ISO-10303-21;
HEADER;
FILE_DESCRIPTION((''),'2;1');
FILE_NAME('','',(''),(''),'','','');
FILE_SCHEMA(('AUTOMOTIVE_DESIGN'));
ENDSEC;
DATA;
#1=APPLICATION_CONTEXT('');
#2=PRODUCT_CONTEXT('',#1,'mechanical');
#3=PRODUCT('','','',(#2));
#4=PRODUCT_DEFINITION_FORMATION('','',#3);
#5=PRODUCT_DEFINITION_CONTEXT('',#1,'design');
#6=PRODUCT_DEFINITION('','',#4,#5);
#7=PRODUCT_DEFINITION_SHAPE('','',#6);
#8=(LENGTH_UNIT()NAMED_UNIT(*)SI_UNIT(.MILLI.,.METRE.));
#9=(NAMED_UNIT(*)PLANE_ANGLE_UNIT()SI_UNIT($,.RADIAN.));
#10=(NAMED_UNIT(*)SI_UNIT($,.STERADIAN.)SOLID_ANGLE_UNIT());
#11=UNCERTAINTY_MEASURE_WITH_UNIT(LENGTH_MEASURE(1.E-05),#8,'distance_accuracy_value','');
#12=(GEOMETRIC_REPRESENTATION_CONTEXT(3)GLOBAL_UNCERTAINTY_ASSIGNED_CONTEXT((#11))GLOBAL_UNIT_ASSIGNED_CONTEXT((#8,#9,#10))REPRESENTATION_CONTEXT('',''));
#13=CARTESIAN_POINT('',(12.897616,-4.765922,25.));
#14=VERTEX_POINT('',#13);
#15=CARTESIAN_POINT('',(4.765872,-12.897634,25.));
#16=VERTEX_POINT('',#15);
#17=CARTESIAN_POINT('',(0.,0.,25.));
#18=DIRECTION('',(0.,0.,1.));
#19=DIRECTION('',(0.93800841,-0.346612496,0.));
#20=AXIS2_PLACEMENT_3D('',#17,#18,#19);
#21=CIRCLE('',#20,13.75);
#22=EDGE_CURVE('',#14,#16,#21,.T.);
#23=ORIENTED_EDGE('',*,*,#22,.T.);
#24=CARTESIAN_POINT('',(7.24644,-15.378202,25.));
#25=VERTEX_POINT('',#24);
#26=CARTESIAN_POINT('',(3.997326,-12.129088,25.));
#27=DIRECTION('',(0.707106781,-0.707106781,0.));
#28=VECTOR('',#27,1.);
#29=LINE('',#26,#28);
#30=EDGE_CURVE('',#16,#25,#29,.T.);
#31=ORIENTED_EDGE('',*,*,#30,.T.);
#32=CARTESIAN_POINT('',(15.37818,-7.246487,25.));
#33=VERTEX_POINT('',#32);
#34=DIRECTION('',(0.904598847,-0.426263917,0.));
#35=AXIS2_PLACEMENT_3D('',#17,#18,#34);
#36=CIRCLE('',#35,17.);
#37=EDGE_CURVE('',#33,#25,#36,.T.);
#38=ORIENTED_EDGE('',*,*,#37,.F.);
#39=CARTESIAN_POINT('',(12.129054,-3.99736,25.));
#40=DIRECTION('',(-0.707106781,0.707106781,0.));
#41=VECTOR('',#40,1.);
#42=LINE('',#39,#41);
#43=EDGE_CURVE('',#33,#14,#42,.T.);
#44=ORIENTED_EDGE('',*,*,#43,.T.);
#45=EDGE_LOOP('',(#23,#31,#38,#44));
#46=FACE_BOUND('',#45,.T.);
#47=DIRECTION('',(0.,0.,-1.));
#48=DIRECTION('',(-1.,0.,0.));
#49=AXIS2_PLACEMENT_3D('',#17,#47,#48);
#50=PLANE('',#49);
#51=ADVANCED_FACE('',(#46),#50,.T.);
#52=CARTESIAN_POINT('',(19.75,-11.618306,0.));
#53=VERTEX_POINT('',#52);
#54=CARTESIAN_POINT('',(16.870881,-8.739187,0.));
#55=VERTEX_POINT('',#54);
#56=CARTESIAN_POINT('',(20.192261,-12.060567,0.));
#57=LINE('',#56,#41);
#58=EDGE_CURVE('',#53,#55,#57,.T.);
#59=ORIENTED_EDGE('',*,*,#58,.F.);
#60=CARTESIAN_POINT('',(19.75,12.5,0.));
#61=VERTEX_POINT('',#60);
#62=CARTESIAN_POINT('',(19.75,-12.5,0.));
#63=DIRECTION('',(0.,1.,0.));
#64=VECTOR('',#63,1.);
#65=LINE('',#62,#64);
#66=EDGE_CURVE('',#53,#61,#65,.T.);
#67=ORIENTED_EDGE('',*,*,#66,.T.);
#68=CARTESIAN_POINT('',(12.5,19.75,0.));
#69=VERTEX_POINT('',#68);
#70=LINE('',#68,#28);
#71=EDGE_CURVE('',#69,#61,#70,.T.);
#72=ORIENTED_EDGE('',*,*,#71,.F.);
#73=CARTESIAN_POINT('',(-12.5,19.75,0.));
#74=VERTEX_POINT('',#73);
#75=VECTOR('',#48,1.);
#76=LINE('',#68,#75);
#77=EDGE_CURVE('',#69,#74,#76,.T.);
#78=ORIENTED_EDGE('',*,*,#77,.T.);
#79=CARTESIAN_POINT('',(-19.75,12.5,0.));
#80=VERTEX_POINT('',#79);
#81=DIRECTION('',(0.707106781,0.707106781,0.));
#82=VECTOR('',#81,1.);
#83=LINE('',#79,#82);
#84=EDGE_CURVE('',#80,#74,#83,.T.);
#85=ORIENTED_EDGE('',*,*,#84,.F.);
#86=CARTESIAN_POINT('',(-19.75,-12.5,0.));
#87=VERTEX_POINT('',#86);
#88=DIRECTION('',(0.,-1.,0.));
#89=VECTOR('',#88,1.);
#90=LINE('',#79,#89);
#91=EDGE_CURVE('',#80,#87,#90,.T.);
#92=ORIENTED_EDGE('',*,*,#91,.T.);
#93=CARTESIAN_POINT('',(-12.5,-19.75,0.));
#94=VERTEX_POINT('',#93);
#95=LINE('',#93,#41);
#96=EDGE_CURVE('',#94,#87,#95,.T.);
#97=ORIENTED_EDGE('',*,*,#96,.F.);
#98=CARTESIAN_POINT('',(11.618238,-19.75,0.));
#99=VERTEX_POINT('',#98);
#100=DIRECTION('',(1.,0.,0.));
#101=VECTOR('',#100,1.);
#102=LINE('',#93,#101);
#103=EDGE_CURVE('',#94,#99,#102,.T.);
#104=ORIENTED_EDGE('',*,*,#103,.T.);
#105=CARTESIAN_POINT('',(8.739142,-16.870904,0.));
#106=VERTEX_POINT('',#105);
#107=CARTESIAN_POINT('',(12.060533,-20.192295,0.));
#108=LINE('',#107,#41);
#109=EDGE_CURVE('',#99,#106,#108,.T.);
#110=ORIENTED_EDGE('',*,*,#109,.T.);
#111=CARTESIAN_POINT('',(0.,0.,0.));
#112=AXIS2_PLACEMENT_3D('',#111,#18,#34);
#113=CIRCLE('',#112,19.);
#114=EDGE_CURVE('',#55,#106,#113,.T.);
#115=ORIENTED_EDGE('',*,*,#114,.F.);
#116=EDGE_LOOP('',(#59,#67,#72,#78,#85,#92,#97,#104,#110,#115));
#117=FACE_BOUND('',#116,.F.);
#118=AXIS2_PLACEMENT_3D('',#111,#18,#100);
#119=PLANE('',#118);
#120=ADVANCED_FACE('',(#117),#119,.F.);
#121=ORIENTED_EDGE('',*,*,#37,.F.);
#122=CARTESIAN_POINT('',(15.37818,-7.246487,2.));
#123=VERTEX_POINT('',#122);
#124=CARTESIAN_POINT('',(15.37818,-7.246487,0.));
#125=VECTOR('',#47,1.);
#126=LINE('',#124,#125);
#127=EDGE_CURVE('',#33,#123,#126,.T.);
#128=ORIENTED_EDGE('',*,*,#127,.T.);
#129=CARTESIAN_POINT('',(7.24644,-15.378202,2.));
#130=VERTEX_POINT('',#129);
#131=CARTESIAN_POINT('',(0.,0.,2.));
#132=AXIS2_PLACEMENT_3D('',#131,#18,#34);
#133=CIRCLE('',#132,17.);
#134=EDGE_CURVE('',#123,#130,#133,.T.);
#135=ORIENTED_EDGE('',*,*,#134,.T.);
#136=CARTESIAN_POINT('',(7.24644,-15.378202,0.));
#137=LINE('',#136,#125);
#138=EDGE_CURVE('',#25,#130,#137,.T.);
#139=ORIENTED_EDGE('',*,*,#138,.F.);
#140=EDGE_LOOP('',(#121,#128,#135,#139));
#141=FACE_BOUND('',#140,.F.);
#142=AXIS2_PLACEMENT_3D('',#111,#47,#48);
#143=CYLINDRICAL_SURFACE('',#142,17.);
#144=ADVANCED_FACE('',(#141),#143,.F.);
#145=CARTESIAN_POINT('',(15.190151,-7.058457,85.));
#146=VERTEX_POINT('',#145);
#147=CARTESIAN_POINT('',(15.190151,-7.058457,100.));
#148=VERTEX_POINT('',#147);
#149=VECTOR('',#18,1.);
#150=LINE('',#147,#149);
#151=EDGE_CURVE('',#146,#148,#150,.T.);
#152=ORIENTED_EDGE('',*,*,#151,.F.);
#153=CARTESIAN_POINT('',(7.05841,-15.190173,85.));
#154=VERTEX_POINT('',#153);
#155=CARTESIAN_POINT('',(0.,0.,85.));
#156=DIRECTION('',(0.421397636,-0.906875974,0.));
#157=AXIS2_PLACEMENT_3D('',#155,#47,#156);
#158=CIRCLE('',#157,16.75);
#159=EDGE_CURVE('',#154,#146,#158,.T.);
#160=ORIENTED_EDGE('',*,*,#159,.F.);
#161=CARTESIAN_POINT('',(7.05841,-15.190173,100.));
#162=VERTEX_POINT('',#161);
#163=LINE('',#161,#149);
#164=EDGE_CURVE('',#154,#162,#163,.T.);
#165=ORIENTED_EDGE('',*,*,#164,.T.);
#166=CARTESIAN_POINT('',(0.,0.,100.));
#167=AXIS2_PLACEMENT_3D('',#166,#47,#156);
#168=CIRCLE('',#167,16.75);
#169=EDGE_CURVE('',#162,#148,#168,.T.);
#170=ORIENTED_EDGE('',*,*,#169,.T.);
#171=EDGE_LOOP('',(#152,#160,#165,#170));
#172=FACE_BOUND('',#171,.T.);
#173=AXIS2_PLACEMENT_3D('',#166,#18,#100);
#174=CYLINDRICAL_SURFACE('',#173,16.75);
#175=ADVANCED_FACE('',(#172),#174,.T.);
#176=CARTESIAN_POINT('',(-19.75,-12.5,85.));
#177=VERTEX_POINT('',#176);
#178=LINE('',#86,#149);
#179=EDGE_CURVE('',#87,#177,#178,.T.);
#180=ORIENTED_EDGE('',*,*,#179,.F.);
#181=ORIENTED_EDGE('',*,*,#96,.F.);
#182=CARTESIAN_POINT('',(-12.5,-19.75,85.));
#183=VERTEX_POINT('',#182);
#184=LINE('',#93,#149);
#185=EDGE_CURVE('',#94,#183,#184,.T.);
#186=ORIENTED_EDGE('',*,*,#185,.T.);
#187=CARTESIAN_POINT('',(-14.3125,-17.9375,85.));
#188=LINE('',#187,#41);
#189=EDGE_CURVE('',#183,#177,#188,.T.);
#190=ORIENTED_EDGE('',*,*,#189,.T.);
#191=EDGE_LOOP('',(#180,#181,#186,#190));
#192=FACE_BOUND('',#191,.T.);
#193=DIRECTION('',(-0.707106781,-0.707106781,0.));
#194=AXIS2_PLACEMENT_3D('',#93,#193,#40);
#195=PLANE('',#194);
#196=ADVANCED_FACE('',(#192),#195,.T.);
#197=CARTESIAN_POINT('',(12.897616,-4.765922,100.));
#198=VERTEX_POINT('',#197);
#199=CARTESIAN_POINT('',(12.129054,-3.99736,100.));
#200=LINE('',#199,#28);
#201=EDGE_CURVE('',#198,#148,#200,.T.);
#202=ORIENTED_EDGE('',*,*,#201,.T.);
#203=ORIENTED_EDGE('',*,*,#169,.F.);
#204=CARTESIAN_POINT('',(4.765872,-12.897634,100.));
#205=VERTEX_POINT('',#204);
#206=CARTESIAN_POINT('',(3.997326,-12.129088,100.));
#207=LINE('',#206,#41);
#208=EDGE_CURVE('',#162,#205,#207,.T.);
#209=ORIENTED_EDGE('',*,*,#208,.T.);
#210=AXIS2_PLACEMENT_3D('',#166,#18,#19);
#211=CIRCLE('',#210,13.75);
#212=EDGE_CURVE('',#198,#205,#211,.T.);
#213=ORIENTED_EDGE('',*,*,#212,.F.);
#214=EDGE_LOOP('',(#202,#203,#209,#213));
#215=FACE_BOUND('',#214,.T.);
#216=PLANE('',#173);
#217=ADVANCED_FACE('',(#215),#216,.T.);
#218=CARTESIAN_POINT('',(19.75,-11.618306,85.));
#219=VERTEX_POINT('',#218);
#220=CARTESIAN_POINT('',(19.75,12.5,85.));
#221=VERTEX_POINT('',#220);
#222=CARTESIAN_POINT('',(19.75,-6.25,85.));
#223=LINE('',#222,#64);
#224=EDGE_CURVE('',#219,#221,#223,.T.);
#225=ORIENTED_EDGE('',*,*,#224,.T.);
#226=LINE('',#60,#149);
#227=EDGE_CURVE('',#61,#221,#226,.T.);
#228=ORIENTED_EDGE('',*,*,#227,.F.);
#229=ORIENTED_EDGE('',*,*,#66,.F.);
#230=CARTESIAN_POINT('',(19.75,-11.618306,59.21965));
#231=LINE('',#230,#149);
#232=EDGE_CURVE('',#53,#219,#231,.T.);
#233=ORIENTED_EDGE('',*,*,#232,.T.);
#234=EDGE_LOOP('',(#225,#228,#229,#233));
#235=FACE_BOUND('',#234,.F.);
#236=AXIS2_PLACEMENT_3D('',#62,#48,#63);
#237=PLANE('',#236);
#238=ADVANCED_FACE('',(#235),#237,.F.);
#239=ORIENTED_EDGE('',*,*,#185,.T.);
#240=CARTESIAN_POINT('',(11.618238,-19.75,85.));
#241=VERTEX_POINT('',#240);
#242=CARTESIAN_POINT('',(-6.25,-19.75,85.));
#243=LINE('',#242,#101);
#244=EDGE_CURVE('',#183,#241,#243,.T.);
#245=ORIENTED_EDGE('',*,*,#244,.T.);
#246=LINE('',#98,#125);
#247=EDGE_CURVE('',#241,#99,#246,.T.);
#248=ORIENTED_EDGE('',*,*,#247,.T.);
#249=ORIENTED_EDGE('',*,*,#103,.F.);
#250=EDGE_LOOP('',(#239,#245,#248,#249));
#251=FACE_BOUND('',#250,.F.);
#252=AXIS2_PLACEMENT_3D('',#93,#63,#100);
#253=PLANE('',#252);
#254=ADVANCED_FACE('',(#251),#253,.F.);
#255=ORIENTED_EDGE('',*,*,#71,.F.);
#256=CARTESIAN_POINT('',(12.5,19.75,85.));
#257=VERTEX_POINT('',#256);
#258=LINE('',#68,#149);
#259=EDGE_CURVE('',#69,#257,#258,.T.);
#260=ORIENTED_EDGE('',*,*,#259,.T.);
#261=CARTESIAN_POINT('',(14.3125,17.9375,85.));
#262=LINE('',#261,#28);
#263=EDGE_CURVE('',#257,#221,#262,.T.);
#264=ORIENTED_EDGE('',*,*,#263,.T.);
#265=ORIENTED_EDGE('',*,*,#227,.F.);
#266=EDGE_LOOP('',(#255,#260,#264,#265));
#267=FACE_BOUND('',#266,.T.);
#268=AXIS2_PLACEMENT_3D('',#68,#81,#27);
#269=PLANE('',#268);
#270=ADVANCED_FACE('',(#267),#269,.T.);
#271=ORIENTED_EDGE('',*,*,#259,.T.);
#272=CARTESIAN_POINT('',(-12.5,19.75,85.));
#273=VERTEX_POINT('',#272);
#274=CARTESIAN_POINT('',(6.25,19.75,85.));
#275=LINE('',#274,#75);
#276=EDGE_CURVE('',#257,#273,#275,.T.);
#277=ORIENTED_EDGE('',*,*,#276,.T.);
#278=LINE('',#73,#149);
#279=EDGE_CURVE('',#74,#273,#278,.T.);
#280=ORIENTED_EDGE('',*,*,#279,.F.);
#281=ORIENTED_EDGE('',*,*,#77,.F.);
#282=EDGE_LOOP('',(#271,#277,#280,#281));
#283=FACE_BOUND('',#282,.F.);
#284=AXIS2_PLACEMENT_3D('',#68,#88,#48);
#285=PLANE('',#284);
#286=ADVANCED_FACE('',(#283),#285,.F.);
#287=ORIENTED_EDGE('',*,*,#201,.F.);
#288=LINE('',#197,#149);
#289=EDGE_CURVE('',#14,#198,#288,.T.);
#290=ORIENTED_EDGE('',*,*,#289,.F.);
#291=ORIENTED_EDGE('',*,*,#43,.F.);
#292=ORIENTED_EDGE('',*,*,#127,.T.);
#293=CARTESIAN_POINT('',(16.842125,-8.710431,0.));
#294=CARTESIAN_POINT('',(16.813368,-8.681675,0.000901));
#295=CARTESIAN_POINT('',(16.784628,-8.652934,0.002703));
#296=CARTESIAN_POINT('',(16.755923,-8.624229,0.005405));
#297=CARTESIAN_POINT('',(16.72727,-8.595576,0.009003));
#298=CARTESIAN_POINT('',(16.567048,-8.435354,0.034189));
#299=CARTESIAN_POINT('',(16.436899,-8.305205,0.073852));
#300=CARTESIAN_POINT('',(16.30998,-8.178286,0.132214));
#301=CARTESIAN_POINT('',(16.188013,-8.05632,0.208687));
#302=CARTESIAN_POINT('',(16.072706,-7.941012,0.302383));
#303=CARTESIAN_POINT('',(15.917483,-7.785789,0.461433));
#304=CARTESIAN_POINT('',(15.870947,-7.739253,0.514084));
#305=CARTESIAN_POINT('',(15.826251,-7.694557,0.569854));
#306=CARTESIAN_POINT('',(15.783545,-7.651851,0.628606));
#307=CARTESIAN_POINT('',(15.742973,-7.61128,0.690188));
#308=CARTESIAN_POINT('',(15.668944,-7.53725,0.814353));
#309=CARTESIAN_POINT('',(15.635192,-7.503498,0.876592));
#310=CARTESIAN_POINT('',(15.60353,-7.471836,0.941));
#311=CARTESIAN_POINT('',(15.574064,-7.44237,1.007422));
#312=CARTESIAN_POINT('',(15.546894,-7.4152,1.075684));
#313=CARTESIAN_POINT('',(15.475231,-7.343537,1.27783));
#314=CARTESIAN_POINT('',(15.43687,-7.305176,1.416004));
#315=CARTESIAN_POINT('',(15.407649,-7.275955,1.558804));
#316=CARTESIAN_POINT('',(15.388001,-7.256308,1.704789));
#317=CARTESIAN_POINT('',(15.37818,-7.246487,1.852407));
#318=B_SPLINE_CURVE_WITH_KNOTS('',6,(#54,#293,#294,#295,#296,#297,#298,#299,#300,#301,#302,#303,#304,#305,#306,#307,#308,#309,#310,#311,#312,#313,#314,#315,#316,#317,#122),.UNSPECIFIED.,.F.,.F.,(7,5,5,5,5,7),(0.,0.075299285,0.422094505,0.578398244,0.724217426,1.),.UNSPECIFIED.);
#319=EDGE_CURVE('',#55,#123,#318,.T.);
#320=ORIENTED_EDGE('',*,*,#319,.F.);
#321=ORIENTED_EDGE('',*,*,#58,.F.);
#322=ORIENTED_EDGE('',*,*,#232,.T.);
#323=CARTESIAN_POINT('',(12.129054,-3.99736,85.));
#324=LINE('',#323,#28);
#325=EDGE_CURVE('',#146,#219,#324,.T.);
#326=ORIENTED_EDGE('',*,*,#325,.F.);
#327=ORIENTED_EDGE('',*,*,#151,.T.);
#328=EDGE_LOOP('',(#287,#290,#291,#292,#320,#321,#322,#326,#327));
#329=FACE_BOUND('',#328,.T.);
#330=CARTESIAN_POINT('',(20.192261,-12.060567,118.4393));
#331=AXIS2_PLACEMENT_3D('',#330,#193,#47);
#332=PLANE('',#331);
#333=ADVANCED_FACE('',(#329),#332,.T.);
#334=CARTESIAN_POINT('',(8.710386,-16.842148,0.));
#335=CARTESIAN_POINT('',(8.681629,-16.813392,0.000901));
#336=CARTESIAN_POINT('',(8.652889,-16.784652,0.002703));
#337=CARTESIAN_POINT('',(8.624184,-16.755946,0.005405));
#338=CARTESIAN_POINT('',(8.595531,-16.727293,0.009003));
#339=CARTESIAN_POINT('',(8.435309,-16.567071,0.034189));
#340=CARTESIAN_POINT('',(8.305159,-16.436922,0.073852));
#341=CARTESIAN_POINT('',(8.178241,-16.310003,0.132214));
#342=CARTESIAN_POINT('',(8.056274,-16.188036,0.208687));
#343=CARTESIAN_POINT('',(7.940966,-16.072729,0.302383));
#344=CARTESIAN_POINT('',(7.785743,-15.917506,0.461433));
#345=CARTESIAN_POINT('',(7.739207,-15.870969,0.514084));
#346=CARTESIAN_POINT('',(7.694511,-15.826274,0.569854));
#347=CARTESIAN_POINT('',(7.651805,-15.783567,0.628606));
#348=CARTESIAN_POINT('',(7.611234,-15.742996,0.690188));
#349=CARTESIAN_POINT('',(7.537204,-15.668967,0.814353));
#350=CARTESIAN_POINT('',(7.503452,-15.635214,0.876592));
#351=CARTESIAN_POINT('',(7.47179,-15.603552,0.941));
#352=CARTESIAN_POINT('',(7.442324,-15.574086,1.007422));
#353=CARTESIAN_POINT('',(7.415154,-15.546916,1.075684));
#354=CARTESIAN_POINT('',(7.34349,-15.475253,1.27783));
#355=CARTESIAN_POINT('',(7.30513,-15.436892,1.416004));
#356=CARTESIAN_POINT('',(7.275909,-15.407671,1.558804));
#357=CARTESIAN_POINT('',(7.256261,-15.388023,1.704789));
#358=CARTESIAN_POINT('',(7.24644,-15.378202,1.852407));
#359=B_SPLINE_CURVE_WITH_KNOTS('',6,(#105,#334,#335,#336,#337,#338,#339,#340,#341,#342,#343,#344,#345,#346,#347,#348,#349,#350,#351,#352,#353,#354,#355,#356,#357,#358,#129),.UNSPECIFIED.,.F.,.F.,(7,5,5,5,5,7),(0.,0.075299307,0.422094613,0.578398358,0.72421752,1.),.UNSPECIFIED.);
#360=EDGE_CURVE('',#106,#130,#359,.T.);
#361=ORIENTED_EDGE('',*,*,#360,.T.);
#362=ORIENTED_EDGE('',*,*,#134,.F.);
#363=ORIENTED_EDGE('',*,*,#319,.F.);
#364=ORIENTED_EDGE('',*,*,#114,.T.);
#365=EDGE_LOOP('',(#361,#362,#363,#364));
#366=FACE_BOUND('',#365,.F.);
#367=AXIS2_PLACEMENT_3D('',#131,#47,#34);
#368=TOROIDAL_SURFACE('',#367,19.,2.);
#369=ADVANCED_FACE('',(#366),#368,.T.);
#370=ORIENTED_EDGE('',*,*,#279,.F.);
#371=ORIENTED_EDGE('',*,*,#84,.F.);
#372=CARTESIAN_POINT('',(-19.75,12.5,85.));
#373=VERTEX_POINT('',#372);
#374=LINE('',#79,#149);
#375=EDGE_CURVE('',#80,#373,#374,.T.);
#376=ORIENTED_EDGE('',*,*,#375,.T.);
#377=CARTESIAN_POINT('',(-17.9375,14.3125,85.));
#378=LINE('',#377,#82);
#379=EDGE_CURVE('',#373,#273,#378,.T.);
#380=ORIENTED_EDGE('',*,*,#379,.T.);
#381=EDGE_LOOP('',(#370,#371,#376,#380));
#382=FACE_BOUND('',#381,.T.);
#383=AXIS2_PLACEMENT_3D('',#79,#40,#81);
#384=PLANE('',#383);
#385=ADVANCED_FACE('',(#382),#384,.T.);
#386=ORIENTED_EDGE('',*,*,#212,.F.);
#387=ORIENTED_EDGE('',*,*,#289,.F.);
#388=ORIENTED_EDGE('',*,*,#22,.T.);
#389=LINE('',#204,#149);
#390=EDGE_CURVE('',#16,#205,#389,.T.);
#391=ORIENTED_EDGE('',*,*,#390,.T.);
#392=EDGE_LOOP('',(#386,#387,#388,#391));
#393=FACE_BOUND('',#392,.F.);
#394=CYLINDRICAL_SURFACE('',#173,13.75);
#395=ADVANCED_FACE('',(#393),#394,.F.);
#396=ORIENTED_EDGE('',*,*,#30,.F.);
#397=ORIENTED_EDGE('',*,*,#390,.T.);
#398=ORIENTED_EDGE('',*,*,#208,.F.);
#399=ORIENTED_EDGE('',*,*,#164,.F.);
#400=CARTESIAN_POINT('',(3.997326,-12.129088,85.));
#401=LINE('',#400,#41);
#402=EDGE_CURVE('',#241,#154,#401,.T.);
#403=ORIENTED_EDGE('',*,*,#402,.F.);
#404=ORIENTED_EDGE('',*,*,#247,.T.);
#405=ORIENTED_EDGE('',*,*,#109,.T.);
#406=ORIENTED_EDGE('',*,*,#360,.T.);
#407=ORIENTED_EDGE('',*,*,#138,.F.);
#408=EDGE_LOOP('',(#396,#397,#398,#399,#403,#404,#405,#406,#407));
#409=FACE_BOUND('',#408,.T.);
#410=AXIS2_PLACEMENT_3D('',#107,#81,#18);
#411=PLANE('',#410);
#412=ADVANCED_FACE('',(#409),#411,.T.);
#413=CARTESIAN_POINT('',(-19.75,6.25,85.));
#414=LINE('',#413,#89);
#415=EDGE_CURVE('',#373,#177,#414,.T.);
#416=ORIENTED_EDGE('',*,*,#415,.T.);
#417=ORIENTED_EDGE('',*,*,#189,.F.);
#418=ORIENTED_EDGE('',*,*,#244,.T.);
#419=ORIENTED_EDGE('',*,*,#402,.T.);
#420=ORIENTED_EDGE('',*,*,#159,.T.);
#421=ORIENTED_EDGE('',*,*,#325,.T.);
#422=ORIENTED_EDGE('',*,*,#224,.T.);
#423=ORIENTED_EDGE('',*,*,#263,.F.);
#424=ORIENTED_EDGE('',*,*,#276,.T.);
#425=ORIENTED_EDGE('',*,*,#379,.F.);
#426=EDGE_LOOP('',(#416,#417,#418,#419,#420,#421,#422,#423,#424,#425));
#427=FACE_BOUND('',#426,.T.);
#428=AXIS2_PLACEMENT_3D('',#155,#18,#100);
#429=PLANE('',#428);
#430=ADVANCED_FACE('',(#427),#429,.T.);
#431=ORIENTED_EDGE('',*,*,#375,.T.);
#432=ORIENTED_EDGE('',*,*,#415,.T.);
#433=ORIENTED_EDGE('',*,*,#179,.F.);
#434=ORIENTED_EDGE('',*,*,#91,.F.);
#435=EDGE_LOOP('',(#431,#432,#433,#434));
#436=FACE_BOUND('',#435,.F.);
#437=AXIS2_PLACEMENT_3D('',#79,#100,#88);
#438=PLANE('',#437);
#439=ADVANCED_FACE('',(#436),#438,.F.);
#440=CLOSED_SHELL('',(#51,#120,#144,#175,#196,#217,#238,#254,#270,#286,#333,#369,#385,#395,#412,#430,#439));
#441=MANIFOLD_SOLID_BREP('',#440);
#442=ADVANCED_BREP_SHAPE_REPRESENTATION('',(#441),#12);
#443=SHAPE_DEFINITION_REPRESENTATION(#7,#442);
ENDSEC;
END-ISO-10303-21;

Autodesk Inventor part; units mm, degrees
ref_plane "YZ Plane" through (0, 0, 0) normal (1, 0, 0) x (0, 1, 0)
ref_plane "XZ Plane" through (0, 0, 0) normal (0, 1, 0) x (-1, 0, 0)
ref_plane "XY Plane" through (0, 0, 0) normal (0, 0, 1) x (1, 0, 0)
sketch "Sketch1" plane through (0, 0, 0) normal (0, 0, 1) x (1, 0, 0)
  line L0 (-12.5, -19.75) -> (12.5, -19.75)
  line L1 (19.75, -12.5) -> (19.75, 12.5)
  line L2 (12.5, 19.75) -> (-12.5, 19.75)
  line L3 (-19.75, 12.5) -> (-19.75, -12.5)
  line L4 (19.75, 19.75) -> (19.75, 19.75)
  line L5 (19.75, 19.75) -> (19.75, 19.75)
  line L6 (19.75, -12.5) -> (19.75, -12.5)
  line L7 (-12.5, -19.75) -> (-19.75, -12.5)
  line L8 (-19.75, 12.5) -> (-12.5, 19.75)
  line L9 (12.5, 19.75) -> (19.75, 12.5)
  line L10 (19.75, -12.5) -> (12.5, -19.75)
  line L11 (-19.75, 0) -> (19.75, 0) construction
  circle A0 centre (0, 0) radius 10
  point P0 (19.75, 19.75)
  point P1 (19.75, -19.75)
  point P2 (-19.75, 19.75)
  dimension "d33" = 39.5
  dimension "d34" = 39.5
  dimension "d35" = 20
extrude "Extrusion7" add sketch "Sketch1" along normal blind 100
sketch "Sketch8" plane through (0, 0, 100) normal (0, 0, 1) x (1, 0, 0)
  circle A0 centre (0, 0) radius 13.75
  dimension "d38" = 27.5
extrude "Extrusion8" cut sketch "Sketch8" against normal blind 100
sketch "Sketch10" plane through (0, 0, 0) normal (0, 0, -1) x (-1, 0, 0)
  circle A0 centre (0, 0) radius 17
  dimension "d44" = 34
extrude "Extrusion10" cut sketch "Sketch10" against normal blind 25
sketch "Sketch11" plane through (0, 0, 100) normal (0, 0, 1) x (1, 0, 0)
  circle A0 centre (0, 0) radius 16.75
  line L0 (39.1509, 23.8646) -> (-32.83, 23.8646)
  line L1 (-32.83, 23.8646) -> (-32.83, -25.2836)
  line L2 (-32.83, -25.2836) -> (39.1509, -25.2836)
  line L3 (39.1509, -25.2836) -> (39.1509, 23.8646)
  dimension "d47" = 33.5
extrude "Extrusion11" cut sketch "Sketch11" against normal blind 15
sketch "Sketch12" plane through (12.5, -19.75, 85) normal (0.7071, -0.7071, 0) x (-0.7071, -0.7071, 0)
  line L0 (-10.8765, 85) -> (0.6235, 85)
  line L1 (0.6235, 85) -> (0.6235, -33.4393)
  line L2 (0.6235, -33.4393) -> (-10.8765, -33.4393)
  line L3 (-10.8765, -33.4393) -> (-10.8765, 85)
  line L4 (-5.1265, 85) -> (-5.1265, -33.4393) construction
  line L5 (0, 85) -> (-10.253, 85) projected
  point P0 (-5.1265, 85)
  dimension "d50" = 11.5
extrude "Extrusion12" cut sketch "Sketch12" against normal blind 20
fillet "Fillet1" radius 2 1 edges at (-12.0208, 12.0208, 0)
properties part number "conduit_endcap" material "UHMW, Black"
